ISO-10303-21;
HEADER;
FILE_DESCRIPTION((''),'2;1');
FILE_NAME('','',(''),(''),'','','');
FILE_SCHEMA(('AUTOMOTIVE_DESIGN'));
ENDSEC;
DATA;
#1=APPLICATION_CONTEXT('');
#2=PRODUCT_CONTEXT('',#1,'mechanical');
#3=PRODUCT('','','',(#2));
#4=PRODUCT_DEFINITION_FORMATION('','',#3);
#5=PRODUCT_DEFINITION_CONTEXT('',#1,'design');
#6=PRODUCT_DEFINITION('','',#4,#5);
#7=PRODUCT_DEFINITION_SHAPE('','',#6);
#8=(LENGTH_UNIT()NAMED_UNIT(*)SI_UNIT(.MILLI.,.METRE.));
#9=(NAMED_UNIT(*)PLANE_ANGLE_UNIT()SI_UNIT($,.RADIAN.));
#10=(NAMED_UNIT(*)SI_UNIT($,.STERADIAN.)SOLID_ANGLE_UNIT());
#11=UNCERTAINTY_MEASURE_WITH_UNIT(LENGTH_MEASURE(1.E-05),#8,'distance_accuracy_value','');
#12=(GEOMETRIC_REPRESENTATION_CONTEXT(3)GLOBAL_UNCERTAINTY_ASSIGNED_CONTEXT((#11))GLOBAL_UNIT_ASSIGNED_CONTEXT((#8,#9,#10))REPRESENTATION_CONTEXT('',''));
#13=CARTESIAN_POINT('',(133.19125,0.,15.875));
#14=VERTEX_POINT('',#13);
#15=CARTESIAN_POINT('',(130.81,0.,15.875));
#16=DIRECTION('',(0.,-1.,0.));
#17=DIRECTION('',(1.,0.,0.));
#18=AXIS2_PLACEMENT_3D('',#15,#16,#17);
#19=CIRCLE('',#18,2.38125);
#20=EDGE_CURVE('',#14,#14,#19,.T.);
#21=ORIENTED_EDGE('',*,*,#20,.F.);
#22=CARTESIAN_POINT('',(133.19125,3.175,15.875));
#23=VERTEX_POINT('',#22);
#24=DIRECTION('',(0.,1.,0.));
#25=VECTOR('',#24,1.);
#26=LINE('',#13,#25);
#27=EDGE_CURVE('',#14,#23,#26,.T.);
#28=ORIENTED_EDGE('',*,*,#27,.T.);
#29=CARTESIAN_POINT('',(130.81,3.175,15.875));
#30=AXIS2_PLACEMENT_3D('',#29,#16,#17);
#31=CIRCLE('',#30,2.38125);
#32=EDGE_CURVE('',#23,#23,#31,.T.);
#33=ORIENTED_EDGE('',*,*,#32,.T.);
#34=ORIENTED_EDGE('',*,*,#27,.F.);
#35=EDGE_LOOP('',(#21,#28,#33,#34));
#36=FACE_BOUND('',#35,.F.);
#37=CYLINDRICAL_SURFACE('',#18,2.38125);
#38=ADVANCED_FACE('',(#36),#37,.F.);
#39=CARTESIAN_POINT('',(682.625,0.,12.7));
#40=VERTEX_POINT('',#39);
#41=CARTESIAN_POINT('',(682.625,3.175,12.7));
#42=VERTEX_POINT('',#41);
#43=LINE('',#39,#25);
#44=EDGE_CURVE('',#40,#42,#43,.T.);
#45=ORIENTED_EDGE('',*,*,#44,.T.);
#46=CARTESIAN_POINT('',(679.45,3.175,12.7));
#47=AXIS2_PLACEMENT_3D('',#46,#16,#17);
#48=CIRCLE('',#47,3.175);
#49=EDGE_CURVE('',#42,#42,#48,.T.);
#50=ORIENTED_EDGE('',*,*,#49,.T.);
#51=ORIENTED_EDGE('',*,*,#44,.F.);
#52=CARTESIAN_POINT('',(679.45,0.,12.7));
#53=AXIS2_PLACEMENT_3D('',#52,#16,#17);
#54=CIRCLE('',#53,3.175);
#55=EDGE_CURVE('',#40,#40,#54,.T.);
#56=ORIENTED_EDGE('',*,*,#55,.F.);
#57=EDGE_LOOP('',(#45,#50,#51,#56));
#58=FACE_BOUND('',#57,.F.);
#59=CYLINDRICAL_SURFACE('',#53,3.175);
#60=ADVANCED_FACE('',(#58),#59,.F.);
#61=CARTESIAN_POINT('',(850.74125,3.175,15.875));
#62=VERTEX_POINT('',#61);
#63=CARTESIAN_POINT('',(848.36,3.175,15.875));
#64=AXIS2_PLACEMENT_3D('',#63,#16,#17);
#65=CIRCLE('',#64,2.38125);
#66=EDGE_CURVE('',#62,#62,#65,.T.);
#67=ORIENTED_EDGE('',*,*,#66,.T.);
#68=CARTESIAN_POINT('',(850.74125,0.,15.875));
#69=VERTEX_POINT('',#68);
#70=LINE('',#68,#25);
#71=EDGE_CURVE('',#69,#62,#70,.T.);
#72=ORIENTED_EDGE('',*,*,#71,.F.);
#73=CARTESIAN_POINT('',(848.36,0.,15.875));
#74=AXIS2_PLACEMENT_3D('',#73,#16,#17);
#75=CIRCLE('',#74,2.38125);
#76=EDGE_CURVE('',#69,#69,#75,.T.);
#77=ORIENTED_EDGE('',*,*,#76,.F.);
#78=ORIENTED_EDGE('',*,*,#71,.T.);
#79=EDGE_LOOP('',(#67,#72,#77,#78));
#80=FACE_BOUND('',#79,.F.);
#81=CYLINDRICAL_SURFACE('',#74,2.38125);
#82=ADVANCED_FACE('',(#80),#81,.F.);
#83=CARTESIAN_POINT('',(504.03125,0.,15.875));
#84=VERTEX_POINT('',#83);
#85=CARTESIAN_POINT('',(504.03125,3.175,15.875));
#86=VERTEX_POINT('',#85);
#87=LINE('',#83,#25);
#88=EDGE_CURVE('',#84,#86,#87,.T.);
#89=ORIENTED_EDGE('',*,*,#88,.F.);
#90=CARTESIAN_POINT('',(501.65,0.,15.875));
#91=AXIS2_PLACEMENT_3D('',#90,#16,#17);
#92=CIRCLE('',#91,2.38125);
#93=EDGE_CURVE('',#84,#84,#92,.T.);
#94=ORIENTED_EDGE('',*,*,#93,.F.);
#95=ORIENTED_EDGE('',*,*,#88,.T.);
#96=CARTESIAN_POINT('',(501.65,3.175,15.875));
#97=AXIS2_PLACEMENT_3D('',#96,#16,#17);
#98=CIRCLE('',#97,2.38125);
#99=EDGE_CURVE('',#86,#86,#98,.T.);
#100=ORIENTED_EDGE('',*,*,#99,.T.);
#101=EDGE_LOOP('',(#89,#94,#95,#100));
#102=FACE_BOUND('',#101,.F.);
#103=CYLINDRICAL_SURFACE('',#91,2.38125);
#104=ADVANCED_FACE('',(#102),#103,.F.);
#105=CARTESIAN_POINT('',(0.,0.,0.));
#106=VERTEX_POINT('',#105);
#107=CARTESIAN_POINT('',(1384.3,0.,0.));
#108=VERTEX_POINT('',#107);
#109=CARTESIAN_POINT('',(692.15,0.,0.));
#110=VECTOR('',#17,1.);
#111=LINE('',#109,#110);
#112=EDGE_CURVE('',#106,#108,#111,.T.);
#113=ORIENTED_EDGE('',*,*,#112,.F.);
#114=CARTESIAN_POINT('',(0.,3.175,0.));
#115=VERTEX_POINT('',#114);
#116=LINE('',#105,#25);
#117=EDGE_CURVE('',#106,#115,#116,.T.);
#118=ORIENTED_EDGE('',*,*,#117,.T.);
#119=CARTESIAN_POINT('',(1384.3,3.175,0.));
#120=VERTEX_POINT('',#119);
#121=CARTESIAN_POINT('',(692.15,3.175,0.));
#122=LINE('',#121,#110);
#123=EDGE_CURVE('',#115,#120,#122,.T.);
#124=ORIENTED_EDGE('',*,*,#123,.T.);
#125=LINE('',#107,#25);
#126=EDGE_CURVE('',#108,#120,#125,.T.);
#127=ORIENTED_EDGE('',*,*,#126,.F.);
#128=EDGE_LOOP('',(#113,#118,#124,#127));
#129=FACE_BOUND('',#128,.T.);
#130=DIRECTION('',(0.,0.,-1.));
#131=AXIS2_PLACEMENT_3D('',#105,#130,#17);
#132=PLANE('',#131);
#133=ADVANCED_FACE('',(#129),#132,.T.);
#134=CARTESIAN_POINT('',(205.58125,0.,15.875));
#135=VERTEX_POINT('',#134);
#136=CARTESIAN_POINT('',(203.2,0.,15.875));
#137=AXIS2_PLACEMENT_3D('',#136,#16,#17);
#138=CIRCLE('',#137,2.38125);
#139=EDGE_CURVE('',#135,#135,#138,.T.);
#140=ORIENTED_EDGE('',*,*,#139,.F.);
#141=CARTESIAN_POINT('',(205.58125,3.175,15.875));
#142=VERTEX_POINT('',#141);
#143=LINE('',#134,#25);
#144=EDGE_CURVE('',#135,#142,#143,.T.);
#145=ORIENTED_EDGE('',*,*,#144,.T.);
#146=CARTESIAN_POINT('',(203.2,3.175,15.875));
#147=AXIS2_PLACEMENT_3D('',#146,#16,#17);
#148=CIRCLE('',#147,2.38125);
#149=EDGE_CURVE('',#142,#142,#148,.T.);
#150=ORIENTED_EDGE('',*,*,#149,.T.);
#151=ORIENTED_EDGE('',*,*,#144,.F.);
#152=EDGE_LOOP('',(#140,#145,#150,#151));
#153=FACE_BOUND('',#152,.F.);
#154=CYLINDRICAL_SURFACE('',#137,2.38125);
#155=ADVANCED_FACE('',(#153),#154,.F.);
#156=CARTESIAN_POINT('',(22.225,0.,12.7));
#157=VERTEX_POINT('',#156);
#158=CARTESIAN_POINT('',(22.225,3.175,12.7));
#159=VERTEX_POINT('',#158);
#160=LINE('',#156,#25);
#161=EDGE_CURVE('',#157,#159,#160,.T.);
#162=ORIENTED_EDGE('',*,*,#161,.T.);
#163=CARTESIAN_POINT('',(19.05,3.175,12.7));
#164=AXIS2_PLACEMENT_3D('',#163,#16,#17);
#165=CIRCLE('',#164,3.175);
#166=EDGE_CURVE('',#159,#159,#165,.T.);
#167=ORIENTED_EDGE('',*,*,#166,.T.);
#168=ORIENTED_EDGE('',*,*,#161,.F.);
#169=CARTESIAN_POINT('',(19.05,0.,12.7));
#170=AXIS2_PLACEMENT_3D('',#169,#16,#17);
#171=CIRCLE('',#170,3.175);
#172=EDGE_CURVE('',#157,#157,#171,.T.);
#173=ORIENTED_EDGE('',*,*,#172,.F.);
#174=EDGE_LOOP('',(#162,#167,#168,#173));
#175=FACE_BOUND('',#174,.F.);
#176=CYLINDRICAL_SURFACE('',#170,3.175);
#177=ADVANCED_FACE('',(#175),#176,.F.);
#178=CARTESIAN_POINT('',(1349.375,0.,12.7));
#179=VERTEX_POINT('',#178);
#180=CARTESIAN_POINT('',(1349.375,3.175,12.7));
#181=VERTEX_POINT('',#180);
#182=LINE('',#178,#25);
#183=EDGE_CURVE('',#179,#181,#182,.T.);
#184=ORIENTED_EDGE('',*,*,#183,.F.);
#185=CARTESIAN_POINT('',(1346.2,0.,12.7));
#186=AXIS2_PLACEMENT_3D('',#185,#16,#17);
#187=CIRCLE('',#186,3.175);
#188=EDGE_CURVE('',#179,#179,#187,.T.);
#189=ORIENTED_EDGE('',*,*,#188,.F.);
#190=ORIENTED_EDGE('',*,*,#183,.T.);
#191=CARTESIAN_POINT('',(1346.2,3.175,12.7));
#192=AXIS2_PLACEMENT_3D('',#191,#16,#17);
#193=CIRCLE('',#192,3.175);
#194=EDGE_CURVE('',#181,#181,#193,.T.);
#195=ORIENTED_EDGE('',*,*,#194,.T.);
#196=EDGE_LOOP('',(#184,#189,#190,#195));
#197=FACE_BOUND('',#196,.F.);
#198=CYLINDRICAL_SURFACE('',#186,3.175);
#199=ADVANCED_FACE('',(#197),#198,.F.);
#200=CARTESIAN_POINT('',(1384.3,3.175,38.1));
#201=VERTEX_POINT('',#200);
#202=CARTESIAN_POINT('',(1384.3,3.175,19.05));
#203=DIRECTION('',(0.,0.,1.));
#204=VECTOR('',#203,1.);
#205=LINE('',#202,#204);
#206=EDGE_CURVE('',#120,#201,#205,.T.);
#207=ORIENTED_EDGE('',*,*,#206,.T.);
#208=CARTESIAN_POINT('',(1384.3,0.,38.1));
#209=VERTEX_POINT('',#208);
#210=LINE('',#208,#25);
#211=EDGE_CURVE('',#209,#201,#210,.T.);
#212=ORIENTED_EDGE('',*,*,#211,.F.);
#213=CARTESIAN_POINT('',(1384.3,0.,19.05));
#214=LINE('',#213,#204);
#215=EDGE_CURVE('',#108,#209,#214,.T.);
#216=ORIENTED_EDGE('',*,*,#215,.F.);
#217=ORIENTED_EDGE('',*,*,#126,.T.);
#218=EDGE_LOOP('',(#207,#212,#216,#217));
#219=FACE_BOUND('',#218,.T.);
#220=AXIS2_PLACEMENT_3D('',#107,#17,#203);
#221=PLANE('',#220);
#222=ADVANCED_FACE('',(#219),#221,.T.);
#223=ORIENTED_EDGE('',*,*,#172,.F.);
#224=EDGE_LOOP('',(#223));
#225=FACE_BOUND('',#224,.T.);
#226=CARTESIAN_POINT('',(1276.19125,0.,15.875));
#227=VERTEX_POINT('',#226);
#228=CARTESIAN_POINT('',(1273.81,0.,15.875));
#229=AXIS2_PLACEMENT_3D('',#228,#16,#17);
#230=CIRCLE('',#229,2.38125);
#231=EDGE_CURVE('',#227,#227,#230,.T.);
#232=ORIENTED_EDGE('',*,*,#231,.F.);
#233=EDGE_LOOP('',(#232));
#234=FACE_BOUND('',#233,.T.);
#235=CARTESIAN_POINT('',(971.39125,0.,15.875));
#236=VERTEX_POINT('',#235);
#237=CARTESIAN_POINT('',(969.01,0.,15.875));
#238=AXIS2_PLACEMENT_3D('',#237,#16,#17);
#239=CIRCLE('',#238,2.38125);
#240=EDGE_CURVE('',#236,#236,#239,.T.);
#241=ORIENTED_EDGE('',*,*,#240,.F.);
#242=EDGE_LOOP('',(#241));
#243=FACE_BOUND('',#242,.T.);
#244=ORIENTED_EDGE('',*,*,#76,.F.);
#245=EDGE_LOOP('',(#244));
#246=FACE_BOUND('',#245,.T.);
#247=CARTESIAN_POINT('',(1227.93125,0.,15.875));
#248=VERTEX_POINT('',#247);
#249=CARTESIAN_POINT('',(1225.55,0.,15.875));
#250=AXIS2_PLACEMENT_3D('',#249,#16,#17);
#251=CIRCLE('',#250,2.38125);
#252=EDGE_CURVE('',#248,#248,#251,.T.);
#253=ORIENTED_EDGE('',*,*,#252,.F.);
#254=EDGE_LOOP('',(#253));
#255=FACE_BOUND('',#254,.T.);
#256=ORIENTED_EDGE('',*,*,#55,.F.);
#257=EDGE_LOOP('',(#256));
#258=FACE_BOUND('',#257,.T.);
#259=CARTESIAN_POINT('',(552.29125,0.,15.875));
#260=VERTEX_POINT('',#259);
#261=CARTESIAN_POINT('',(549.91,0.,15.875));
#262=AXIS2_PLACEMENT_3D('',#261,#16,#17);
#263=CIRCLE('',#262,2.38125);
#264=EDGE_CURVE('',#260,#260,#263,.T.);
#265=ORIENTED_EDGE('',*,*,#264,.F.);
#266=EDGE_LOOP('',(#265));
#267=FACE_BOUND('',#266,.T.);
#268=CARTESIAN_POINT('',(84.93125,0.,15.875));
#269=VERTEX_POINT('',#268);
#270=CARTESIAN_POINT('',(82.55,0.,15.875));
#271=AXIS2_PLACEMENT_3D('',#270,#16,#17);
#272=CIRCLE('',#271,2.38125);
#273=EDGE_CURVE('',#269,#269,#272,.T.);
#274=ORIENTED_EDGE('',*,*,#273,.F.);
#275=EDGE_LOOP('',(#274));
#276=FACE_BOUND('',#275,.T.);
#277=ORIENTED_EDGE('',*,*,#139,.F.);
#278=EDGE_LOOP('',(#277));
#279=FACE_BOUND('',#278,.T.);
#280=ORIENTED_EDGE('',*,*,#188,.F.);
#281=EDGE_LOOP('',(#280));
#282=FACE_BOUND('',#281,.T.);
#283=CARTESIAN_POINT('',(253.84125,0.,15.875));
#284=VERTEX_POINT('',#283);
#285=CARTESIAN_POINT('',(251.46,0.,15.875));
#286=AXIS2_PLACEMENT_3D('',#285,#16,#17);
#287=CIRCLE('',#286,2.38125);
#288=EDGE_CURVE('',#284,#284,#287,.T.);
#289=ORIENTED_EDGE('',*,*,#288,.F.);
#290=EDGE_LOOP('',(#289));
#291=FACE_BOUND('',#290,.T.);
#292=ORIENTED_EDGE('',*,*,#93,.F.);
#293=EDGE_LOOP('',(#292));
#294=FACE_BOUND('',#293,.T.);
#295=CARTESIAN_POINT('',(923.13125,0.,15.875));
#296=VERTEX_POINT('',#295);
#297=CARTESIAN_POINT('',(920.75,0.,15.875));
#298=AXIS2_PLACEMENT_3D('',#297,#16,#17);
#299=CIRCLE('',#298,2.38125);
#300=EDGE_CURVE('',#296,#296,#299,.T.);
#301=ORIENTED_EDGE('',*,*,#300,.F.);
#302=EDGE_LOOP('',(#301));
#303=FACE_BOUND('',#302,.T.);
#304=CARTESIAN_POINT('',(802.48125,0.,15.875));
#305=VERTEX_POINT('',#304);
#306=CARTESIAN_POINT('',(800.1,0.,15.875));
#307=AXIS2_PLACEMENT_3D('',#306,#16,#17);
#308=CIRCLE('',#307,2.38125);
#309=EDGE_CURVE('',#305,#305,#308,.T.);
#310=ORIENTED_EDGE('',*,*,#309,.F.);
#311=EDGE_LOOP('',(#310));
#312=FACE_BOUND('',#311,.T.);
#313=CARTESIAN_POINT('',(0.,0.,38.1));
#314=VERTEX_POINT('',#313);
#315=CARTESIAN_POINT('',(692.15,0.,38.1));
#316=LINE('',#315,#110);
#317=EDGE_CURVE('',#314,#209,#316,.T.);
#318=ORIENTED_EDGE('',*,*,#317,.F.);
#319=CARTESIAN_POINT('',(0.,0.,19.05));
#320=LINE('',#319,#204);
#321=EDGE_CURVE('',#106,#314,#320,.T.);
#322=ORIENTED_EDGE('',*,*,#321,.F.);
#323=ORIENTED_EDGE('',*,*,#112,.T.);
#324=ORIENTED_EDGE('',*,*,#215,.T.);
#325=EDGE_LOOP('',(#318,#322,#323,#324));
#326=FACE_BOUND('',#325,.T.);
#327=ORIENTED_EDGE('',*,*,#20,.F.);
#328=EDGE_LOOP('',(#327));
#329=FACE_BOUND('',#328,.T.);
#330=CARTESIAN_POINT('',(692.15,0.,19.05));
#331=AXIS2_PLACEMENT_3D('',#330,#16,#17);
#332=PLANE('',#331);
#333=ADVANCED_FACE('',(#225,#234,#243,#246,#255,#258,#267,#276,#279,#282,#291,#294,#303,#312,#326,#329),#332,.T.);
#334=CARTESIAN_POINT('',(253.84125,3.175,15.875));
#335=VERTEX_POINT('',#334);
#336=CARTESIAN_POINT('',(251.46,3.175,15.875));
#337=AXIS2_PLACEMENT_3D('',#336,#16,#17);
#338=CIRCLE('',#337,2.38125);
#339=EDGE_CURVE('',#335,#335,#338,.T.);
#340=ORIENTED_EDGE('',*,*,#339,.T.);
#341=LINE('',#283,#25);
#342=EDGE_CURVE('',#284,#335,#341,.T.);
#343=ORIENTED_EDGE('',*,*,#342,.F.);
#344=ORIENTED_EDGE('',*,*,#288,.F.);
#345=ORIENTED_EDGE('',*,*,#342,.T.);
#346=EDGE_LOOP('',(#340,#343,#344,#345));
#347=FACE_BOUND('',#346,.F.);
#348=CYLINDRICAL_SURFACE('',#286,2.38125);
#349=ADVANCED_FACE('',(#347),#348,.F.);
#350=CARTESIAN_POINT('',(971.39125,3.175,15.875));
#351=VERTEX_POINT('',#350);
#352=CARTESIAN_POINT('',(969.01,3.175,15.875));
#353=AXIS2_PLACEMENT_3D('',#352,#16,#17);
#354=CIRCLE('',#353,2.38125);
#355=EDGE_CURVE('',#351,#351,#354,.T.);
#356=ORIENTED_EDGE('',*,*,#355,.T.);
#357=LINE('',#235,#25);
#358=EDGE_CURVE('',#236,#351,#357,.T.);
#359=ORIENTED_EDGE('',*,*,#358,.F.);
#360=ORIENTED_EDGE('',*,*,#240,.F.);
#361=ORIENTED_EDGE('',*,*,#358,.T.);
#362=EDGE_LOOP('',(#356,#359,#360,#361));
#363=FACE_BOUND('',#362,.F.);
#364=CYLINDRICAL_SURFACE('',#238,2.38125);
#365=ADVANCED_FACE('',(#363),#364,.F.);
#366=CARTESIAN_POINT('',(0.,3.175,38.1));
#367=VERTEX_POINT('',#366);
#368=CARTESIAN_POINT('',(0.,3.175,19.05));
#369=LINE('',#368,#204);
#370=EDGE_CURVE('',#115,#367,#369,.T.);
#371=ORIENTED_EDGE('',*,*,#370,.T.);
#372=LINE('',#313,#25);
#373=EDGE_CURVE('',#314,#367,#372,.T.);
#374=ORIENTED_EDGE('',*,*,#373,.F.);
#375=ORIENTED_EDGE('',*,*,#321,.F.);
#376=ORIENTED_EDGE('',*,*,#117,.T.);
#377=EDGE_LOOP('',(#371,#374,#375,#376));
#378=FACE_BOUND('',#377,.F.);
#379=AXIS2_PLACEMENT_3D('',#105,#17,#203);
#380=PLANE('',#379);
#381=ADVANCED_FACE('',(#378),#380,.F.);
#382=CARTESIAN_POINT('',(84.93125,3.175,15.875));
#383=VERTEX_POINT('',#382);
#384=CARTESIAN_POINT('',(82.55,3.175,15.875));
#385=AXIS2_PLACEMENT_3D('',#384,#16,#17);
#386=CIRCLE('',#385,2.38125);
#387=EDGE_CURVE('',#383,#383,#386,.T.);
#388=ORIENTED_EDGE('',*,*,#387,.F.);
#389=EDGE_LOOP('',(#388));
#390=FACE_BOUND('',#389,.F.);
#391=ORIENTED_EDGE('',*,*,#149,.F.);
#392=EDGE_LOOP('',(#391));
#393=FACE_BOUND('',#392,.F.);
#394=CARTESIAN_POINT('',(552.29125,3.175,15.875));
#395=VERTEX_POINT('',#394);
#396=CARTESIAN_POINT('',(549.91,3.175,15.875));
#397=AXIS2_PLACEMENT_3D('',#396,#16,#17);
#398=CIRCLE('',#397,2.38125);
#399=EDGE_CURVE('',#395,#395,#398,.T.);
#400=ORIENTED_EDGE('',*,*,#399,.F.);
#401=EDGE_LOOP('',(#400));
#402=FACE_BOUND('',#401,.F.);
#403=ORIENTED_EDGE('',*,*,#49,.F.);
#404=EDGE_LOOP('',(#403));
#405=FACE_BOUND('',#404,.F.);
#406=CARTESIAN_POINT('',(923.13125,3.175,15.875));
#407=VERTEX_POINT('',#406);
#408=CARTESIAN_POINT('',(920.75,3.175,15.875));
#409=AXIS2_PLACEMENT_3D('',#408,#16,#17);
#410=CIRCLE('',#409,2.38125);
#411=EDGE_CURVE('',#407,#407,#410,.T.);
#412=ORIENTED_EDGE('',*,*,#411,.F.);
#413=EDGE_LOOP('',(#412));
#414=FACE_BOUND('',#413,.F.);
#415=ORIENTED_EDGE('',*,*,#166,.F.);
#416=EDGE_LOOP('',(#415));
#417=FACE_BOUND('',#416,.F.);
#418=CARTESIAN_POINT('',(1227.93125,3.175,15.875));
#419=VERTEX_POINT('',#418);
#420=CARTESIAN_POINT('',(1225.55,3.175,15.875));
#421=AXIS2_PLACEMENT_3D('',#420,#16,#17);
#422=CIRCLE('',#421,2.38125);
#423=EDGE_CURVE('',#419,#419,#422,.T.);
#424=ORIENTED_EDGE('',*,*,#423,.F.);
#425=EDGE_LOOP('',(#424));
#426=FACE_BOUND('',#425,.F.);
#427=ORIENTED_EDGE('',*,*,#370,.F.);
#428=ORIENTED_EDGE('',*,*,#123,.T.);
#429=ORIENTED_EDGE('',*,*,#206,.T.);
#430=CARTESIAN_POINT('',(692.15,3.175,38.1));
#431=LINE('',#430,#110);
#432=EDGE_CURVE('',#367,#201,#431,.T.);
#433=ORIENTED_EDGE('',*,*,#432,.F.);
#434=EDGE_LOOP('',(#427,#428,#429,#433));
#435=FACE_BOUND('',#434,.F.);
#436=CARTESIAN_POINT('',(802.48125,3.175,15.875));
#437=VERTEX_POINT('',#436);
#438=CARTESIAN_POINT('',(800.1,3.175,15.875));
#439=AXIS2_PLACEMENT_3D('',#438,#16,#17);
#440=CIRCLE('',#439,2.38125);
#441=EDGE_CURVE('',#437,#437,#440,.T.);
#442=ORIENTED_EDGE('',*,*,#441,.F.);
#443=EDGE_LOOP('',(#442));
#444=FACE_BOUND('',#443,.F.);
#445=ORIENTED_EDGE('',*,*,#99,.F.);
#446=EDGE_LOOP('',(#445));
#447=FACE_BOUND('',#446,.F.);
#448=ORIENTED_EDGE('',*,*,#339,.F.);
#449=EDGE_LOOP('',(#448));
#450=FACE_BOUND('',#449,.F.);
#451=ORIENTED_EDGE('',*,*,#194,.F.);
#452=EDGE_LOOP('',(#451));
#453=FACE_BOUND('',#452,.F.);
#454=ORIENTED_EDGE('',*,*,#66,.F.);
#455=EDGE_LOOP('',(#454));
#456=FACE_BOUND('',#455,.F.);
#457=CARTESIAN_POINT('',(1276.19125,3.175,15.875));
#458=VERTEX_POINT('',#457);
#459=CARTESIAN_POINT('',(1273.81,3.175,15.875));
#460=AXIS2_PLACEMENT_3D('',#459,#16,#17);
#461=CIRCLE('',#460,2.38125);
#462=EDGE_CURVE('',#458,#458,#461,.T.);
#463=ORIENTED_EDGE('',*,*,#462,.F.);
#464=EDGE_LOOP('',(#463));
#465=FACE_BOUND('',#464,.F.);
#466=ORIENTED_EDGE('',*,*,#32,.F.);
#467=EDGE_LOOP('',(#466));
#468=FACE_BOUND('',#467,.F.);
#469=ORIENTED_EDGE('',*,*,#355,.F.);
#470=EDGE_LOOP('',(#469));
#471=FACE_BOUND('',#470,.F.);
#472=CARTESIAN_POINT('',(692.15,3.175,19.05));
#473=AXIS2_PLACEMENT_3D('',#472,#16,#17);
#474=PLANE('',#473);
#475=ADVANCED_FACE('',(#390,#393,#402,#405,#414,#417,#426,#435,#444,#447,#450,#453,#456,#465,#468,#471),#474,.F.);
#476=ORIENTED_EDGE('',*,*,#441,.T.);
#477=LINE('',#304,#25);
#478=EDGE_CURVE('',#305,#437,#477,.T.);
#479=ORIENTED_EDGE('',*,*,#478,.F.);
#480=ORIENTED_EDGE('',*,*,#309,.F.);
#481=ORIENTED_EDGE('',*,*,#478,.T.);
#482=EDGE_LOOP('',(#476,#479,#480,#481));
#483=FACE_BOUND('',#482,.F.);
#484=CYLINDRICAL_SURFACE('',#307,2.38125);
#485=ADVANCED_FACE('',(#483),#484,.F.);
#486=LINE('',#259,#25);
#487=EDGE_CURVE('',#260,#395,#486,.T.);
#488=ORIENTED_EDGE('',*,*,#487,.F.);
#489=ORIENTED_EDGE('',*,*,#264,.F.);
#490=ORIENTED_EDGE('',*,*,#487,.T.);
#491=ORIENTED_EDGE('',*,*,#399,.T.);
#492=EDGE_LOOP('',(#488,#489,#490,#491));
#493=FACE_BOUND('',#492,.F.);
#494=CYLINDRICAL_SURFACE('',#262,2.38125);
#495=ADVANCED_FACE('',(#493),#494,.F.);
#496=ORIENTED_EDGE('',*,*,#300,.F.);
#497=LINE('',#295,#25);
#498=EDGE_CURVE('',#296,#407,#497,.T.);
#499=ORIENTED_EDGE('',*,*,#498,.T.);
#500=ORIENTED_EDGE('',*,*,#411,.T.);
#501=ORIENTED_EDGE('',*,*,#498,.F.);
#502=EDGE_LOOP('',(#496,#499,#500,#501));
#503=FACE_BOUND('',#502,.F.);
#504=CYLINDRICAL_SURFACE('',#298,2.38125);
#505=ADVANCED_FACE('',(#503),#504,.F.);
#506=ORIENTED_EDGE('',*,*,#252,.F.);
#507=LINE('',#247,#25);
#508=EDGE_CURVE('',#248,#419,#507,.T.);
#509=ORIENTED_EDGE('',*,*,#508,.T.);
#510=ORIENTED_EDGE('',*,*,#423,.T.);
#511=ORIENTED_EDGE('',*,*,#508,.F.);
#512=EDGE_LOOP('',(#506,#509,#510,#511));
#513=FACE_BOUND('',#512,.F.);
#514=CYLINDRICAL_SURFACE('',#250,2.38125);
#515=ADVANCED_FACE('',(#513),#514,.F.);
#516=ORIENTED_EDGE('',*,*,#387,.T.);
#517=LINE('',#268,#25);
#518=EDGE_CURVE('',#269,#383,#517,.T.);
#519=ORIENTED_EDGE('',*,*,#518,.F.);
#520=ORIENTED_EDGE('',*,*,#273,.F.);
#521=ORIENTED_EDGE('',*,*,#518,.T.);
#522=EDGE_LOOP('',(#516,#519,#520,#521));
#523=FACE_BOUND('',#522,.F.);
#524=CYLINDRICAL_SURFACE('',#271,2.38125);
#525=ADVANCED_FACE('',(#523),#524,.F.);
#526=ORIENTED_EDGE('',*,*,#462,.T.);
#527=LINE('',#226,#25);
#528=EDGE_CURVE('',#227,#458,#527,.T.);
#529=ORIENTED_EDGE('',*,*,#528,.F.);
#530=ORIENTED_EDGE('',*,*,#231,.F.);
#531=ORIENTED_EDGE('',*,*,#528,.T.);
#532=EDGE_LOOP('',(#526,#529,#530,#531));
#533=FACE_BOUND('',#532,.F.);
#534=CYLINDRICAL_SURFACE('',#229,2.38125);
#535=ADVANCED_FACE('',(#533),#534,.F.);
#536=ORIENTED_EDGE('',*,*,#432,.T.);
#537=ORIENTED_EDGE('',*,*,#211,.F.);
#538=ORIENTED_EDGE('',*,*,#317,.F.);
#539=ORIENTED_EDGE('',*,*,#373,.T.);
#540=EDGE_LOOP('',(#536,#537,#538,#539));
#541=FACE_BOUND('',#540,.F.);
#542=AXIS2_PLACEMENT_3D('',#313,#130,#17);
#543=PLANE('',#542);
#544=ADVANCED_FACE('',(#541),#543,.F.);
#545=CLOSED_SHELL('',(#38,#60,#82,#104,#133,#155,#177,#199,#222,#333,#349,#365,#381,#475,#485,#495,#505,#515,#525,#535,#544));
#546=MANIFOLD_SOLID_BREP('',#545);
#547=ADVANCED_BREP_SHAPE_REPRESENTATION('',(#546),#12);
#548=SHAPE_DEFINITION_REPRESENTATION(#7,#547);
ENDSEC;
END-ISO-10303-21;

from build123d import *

# Parameters (mm, degrees)
F0_W     = 1384.3
F0_H     = 38.1
F1_DEPTH = 3.175
F2_R     = 3.175
F3_DEPTH = 3.176
F4_R     = 2.38125
F5_DEPTH = 3.176


with BuildPart() as f1:
    # F0 (on Front) → F1 (new body)
    with BuildSketch(Plane.XZ):
        with Locations((692.15, 19.05)):
            Rectangle(F0_W, F0_H)
    extrude(amount=-F1_DEPTH)

    # F2 (on face) → F3 (cut, through all)
    with BuildSketch(Plane.XZ):
        with Locations((1346.2, 12.7)):
            Circle(F2_R)
        with Locations((679.45, 12.7)):
            Circle(F2_R)
        with Locations((19.05, 12.7)):
            Circle(F2_R)
    extrude(amount=-F3_DEPTH, mode=Mode.SUBTRACT)

    # F4 (on face) → F5 (cut, through all)
    with BuildSketch(Plane.XZ):
        with Locations((82.55, 15.875)):
            Circle(F4_R)
        with Locations((130.81, 15.875)):
            Circle(F4_R)
        with Locations((203.2, 15.875)):
            Circle(F4_R)
        with Locations((251.46, 15.875)):
            Circle(F4_R)
        with Locations((501.65, 15.875)):
            Circle(F4_R)
        with Locations((549.91, 15.875)):
            Circle(F4_R)
        with Locations((920.75, 15.875)):
            Circle(F4_R)
        with Locations((969.01, 15.875)):
            Circle(F4_R)
        with Locations((1225.55, 15.875)):
            Circle(F4_R)
        with Locations((1273.81, 15.875)):
            Circle(F4_R)
        with Locations((800.1, 15.875)):
            Circle(F4_R)
        with Locations((848.36, 15.875)):
            Circle(F4_R)
    extrude(amount=-F5_DEPTH, mode=Mode.SUBTRACT)


solid = f1.part
